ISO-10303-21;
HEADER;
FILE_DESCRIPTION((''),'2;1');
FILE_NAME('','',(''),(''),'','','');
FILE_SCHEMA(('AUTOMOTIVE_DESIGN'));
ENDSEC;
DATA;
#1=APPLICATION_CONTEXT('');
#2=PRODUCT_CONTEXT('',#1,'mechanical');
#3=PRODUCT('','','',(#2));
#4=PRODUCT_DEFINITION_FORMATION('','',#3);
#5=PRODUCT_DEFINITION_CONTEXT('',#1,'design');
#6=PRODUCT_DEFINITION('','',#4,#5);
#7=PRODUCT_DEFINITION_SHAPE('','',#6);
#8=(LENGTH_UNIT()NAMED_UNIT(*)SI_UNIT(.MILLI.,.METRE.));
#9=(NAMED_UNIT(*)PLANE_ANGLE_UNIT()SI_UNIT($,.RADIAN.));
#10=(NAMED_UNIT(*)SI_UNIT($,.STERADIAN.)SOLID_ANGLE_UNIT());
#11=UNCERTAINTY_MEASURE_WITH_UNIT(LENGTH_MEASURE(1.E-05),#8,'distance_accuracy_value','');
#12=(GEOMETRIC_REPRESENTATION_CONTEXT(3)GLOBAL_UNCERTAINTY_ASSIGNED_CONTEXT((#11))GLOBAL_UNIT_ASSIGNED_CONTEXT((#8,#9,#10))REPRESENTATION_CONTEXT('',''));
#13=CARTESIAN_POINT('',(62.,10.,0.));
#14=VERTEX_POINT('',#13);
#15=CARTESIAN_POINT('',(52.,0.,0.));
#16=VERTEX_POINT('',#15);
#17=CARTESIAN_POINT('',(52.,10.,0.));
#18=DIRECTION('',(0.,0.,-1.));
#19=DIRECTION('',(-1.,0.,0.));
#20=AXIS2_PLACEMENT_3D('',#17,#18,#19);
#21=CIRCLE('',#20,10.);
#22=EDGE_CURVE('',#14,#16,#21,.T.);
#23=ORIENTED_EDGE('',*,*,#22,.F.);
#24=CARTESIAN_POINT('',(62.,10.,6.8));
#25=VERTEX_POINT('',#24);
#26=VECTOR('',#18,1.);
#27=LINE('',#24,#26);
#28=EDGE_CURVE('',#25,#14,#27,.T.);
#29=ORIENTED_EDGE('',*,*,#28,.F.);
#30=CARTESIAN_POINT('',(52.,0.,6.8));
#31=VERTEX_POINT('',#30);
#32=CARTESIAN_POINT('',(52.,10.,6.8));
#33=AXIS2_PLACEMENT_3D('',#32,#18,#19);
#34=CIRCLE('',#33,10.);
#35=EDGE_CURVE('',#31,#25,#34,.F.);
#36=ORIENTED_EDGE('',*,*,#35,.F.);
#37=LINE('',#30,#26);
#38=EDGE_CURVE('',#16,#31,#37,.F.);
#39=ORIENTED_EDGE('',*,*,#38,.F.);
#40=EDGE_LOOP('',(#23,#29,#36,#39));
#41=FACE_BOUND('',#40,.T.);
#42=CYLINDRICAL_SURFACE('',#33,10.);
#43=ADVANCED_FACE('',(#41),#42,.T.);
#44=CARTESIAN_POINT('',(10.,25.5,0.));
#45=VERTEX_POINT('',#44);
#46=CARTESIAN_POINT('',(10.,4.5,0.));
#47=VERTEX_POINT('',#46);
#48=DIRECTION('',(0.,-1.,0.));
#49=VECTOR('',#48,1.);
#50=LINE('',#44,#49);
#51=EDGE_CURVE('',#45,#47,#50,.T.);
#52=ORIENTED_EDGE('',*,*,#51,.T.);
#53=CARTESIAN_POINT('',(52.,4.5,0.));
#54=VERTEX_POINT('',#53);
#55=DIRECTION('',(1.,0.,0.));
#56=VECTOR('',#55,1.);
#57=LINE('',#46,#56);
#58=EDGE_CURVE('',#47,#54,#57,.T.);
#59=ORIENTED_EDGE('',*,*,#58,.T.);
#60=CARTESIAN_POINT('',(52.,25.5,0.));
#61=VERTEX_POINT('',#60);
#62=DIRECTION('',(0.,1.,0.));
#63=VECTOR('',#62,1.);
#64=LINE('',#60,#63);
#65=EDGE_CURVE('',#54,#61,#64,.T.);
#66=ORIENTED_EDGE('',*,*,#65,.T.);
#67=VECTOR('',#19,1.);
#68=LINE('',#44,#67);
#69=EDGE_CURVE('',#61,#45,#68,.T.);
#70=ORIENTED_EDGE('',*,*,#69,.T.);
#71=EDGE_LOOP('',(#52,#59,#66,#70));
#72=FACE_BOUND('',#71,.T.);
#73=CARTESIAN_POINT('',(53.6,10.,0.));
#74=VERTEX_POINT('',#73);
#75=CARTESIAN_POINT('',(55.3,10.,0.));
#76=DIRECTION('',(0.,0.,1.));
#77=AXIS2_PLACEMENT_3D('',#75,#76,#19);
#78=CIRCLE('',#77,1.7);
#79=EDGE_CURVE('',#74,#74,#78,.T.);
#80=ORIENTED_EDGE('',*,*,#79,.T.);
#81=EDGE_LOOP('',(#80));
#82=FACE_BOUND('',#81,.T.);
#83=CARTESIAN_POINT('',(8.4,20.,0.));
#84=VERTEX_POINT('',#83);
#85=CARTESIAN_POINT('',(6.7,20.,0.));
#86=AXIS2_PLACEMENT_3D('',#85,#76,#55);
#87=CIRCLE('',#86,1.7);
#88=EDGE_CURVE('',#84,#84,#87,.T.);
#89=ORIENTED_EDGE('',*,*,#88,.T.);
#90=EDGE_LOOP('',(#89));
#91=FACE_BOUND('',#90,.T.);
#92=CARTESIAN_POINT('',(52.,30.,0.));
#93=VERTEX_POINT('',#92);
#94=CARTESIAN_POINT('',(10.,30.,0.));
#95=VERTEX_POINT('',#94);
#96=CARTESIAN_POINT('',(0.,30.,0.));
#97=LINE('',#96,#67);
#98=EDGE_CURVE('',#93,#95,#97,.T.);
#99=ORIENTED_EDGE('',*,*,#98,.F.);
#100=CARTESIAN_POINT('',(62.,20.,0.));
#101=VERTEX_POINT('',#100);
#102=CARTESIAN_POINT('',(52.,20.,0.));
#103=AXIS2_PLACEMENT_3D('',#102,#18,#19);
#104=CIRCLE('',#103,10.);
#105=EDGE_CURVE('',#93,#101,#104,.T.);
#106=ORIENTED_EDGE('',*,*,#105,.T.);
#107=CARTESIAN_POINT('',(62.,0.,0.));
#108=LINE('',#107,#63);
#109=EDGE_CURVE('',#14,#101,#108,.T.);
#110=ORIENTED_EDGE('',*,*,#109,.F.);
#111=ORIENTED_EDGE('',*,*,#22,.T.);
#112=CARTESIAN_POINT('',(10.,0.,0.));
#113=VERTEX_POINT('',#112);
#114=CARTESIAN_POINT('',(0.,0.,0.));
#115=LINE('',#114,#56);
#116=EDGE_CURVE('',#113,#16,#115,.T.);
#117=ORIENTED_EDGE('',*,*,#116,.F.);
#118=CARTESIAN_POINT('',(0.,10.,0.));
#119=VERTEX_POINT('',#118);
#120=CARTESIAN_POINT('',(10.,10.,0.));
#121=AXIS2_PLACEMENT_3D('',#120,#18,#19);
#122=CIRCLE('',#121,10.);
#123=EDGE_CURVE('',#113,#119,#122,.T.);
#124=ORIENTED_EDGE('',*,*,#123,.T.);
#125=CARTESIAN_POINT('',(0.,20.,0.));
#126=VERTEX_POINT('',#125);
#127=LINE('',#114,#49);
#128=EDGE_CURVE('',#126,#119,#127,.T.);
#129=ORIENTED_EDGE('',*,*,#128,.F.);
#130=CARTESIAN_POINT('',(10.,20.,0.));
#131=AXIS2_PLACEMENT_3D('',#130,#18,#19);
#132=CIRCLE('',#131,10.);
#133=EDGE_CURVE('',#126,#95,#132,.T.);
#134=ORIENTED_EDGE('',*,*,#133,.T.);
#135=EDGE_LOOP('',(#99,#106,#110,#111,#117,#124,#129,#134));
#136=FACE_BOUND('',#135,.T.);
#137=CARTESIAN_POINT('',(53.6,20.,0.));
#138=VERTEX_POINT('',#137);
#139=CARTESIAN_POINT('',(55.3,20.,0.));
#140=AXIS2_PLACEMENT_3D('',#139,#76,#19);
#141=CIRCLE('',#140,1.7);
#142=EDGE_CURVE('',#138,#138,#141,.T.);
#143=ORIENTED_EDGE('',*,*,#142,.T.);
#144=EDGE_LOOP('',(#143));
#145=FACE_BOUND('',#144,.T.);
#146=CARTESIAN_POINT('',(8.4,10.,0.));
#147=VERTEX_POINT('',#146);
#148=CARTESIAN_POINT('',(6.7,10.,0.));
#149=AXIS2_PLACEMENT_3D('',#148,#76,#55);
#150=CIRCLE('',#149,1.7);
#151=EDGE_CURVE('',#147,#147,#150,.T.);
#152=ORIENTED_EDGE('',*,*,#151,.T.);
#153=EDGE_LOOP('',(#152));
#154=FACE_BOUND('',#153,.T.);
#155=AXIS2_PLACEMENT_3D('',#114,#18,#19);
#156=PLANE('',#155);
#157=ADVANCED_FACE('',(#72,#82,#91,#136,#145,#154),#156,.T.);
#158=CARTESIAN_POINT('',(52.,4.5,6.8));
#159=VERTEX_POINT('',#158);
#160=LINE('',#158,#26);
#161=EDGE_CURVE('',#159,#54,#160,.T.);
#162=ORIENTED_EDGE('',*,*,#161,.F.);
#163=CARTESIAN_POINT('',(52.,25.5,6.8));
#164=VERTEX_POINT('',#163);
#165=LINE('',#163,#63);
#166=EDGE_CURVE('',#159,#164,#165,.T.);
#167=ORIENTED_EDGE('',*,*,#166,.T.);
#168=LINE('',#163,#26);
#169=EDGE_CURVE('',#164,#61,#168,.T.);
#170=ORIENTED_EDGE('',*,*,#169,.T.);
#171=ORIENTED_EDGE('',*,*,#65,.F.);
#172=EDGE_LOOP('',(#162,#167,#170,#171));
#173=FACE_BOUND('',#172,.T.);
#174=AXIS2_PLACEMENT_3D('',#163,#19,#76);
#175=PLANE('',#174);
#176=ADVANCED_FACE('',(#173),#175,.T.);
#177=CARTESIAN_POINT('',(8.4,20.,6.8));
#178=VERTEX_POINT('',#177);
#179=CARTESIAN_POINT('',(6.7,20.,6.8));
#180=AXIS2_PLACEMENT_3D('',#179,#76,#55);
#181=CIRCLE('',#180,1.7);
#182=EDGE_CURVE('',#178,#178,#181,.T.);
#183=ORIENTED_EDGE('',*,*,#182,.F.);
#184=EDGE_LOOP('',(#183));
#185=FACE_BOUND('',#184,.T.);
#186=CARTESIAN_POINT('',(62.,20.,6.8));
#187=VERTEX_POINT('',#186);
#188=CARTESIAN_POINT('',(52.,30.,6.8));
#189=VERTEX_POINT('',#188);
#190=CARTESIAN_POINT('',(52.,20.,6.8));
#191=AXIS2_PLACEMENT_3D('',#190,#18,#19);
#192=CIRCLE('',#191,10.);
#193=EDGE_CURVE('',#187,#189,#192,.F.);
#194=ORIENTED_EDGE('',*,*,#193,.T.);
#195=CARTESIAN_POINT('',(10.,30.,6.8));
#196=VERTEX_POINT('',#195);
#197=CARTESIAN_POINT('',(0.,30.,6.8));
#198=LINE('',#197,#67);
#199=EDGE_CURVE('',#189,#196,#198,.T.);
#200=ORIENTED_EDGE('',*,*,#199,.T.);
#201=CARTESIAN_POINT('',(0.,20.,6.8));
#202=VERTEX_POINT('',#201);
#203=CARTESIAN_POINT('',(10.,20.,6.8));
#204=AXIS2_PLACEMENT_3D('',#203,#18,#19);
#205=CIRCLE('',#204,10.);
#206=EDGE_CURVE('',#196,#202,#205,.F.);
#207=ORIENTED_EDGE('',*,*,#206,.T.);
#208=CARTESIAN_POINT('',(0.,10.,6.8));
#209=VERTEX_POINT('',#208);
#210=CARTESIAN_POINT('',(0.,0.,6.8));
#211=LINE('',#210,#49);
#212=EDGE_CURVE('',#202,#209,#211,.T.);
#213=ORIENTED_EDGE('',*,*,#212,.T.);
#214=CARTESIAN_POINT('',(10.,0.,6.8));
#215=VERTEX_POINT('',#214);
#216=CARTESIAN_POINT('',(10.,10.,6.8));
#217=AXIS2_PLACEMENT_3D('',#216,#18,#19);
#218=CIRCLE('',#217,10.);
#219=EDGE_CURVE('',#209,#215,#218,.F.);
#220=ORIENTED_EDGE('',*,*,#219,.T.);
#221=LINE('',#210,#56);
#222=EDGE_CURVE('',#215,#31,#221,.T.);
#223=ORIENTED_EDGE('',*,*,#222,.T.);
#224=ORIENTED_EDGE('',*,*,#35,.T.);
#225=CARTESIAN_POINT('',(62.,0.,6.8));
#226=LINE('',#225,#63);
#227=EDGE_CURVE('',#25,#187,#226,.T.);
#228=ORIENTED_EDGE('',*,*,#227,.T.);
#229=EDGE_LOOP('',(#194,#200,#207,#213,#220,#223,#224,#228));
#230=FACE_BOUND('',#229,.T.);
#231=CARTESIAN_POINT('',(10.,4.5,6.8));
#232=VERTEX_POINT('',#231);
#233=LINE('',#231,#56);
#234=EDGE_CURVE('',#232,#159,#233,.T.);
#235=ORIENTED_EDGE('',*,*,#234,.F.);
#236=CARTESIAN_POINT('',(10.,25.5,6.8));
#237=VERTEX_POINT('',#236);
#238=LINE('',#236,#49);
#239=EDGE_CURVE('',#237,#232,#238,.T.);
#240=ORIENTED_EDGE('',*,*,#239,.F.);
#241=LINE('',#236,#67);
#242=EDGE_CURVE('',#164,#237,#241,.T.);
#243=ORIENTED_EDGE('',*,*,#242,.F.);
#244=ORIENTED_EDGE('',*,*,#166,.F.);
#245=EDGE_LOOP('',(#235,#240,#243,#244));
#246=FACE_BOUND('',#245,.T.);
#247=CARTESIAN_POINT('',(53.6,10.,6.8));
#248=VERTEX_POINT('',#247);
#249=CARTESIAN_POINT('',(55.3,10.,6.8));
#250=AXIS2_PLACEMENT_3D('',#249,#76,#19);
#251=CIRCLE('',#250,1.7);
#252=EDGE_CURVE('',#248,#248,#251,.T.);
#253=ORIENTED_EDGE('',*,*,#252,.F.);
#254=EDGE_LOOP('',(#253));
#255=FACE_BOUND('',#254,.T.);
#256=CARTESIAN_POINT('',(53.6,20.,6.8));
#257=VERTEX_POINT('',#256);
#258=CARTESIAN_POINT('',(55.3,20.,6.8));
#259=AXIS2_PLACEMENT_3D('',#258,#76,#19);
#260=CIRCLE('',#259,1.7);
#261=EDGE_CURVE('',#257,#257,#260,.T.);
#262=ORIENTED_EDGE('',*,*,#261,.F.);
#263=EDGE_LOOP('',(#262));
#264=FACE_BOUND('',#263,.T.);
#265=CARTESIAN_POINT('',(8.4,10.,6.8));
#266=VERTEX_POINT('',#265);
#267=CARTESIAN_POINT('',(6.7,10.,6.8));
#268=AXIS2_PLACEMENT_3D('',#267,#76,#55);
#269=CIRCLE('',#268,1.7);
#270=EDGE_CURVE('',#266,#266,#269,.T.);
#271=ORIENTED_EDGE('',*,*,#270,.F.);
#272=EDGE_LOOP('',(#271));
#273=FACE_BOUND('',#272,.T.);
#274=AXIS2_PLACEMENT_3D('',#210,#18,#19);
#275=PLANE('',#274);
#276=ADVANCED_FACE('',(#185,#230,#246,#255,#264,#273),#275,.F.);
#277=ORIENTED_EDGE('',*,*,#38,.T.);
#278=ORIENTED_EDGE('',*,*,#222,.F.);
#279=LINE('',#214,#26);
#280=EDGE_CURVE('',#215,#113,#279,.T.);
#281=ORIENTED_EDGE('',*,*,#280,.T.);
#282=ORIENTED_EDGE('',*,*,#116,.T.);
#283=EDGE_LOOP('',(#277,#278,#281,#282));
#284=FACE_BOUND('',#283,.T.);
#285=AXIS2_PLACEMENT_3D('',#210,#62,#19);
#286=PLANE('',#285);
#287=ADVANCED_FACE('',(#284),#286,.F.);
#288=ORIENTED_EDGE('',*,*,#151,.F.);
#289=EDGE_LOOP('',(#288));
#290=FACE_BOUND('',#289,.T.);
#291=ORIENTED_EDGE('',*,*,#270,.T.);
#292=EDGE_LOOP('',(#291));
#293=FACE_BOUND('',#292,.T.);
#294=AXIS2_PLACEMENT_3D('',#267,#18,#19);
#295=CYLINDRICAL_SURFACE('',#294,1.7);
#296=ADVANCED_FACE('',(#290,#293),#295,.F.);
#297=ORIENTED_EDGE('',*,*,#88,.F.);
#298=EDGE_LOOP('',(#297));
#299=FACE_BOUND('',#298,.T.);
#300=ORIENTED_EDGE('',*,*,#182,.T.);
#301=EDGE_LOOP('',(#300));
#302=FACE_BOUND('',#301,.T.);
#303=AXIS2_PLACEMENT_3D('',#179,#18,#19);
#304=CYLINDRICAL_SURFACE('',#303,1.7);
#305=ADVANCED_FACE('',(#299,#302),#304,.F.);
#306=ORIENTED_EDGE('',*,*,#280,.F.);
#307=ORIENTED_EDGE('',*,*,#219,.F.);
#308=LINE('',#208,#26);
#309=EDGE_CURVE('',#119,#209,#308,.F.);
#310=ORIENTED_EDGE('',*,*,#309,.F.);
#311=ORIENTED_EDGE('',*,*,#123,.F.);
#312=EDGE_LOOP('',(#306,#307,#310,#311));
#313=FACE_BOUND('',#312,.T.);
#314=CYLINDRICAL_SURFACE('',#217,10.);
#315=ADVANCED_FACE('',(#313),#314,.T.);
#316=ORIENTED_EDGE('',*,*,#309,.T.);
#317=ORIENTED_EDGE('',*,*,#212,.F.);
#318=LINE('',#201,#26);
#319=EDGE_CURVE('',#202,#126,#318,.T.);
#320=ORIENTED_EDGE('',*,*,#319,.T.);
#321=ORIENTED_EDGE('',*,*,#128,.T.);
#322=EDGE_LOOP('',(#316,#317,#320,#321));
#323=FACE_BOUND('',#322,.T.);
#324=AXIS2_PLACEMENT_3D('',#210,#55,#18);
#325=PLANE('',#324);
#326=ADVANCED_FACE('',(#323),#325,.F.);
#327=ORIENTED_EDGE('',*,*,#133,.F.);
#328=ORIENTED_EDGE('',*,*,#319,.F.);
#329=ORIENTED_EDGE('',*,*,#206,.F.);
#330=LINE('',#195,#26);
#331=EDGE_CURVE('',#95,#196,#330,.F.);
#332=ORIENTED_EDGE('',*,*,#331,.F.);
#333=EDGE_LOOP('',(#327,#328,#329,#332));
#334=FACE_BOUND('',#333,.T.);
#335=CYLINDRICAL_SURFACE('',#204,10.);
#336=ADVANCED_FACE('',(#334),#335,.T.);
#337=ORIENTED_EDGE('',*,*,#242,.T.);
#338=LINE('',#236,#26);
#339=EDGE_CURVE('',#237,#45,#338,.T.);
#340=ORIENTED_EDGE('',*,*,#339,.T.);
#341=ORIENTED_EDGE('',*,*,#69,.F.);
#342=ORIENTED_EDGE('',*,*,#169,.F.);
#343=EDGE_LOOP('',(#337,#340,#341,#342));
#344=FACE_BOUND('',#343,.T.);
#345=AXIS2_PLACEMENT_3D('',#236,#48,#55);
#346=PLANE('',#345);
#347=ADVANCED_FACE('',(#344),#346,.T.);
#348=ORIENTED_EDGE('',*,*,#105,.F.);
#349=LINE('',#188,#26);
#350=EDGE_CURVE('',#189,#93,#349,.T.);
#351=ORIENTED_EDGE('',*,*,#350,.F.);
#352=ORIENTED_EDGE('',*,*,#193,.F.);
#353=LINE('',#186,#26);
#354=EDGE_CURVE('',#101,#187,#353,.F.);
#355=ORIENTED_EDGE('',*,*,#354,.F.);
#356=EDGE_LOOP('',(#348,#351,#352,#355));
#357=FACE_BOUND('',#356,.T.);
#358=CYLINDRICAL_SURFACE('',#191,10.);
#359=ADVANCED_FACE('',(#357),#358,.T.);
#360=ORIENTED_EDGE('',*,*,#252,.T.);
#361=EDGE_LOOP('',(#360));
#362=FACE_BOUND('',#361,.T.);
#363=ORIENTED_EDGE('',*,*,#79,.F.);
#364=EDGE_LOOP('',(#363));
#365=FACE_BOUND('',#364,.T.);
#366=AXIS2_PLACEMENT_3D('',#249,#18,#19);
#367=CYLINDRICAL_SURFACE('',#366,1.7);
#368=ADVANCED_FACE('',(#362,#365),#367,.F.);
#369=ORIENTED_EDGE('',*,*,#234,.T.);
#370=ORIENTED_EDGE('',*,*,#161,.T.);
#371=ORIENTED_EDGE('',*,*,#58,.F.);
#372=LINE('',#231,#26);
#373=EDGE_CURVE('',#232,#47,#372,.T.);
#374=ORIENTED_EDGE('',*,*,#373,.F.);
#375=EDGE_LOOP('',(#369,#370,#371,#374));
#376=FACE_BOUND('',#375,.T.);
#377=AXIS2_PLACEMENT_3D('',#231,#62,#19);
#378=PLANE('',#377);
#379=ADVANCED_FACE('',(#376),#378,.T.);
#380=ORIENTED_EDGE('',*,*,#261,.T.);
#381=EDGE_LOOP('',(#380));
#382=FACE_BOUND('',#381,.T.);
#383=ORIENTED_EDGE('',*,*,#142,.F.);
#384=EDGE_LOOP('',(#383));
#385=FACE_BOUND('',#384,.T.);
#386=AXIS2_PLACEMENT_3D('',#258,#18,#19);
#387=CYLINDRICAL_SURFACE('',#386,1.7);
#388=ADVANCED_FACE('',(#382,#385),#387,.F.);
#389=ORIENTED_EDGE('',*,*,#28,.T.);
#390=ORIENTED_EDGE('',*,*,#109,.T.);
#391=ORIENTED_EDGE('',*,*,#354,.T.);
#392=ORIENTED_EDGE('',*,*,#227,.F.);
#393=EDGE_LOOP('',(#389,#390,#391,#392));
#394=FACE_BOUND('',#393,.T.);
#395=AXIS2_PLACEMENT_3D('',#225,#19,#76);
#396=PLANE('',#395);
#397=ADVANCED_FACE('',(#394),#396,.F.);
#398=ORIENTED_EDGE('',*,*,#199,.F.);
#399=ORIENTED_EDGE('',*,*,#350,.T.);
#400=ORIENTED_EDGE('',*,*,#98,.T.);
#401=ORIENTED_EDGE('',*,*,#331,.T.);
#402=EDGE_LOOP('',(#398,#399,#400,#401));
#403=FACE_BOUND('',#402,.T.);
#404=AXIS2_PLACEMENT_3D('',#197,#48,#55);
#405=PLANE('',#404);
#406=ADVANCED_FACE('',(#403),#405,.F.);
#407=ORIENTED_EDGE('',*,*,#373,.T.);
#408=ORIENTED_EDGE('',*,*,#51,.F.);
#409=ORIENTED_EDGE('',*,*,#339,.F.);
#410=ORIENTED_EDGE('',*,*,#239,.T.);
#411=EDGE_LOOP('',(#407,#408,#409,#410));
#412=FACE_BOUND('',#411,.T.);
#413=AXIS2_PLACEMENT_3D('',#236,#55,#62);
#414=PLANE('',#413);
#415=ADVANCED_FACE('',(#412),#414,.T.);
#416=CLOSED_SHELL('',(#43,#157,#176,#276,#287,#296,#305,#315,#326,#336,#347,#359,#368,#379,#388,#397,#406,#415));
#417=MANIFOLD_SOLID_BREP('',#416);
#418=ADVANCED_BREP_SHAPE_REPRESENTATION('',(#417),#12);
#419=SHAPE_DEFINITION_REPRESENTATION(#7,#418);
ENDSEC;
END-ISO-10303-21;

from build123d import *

# Parameters (mm, degrees)
SKETCH_1_W      = 62
SKETCH_1_H      = 30
SKETCH_1_R      = 1.7
SKETCH_1_W_2    = 42
SKETCH_1_H_2    = 21
EXTRUDE_1_DEPTH = 6.8
FILLET_1_R      = 10


with BuildPart() as part:
    # 草图1 → 凸台-拉伸1 (new body)
    with BuildSketch(Plane.XY):
        with Locations((31, 15)):
            Rectangle(SKETCH_1_W, SKETCH_1_H)
        with Locations((6.7, 20)):
            Circle(SKETCH_1_R, mode=Mode.SUBTRACT)
        with Locations((6.7, 10)):
            Circle(SKETCH_1_R, mode=Mode.SUBTRACT)
        with Locations(Location((55.3, 10, 0), (0, 0, 180))):
            Circle(SKETCH_1_R, mode=Mode.SUBTRACT)
        with Locations(Location((55.3, 20, 0), (0, 0, 180))):
            Circle(SKETCH_1_R, mode=Mode.SUBTRACT)
        with Locations((31, 15)):
            Rectangle(SKETCH_1_W_2, SKETCH_1_H_2, mode=Mode.SUBTRACT)
    extrude(amount=EXTRUDE_1_DEPTH)

    # 圆角1
    fillet_1_edges = [part.edges().sort_by_distance(p)[0] for p in [
        (0, 30, 3.4),
        (62, 30, 3.4),
        (62, 0, 3.4),
        (0, 0, 3.4),
    ]]
    fillet(fillet_1_edges, radius=FILLET_1_R)


solid = part.part
